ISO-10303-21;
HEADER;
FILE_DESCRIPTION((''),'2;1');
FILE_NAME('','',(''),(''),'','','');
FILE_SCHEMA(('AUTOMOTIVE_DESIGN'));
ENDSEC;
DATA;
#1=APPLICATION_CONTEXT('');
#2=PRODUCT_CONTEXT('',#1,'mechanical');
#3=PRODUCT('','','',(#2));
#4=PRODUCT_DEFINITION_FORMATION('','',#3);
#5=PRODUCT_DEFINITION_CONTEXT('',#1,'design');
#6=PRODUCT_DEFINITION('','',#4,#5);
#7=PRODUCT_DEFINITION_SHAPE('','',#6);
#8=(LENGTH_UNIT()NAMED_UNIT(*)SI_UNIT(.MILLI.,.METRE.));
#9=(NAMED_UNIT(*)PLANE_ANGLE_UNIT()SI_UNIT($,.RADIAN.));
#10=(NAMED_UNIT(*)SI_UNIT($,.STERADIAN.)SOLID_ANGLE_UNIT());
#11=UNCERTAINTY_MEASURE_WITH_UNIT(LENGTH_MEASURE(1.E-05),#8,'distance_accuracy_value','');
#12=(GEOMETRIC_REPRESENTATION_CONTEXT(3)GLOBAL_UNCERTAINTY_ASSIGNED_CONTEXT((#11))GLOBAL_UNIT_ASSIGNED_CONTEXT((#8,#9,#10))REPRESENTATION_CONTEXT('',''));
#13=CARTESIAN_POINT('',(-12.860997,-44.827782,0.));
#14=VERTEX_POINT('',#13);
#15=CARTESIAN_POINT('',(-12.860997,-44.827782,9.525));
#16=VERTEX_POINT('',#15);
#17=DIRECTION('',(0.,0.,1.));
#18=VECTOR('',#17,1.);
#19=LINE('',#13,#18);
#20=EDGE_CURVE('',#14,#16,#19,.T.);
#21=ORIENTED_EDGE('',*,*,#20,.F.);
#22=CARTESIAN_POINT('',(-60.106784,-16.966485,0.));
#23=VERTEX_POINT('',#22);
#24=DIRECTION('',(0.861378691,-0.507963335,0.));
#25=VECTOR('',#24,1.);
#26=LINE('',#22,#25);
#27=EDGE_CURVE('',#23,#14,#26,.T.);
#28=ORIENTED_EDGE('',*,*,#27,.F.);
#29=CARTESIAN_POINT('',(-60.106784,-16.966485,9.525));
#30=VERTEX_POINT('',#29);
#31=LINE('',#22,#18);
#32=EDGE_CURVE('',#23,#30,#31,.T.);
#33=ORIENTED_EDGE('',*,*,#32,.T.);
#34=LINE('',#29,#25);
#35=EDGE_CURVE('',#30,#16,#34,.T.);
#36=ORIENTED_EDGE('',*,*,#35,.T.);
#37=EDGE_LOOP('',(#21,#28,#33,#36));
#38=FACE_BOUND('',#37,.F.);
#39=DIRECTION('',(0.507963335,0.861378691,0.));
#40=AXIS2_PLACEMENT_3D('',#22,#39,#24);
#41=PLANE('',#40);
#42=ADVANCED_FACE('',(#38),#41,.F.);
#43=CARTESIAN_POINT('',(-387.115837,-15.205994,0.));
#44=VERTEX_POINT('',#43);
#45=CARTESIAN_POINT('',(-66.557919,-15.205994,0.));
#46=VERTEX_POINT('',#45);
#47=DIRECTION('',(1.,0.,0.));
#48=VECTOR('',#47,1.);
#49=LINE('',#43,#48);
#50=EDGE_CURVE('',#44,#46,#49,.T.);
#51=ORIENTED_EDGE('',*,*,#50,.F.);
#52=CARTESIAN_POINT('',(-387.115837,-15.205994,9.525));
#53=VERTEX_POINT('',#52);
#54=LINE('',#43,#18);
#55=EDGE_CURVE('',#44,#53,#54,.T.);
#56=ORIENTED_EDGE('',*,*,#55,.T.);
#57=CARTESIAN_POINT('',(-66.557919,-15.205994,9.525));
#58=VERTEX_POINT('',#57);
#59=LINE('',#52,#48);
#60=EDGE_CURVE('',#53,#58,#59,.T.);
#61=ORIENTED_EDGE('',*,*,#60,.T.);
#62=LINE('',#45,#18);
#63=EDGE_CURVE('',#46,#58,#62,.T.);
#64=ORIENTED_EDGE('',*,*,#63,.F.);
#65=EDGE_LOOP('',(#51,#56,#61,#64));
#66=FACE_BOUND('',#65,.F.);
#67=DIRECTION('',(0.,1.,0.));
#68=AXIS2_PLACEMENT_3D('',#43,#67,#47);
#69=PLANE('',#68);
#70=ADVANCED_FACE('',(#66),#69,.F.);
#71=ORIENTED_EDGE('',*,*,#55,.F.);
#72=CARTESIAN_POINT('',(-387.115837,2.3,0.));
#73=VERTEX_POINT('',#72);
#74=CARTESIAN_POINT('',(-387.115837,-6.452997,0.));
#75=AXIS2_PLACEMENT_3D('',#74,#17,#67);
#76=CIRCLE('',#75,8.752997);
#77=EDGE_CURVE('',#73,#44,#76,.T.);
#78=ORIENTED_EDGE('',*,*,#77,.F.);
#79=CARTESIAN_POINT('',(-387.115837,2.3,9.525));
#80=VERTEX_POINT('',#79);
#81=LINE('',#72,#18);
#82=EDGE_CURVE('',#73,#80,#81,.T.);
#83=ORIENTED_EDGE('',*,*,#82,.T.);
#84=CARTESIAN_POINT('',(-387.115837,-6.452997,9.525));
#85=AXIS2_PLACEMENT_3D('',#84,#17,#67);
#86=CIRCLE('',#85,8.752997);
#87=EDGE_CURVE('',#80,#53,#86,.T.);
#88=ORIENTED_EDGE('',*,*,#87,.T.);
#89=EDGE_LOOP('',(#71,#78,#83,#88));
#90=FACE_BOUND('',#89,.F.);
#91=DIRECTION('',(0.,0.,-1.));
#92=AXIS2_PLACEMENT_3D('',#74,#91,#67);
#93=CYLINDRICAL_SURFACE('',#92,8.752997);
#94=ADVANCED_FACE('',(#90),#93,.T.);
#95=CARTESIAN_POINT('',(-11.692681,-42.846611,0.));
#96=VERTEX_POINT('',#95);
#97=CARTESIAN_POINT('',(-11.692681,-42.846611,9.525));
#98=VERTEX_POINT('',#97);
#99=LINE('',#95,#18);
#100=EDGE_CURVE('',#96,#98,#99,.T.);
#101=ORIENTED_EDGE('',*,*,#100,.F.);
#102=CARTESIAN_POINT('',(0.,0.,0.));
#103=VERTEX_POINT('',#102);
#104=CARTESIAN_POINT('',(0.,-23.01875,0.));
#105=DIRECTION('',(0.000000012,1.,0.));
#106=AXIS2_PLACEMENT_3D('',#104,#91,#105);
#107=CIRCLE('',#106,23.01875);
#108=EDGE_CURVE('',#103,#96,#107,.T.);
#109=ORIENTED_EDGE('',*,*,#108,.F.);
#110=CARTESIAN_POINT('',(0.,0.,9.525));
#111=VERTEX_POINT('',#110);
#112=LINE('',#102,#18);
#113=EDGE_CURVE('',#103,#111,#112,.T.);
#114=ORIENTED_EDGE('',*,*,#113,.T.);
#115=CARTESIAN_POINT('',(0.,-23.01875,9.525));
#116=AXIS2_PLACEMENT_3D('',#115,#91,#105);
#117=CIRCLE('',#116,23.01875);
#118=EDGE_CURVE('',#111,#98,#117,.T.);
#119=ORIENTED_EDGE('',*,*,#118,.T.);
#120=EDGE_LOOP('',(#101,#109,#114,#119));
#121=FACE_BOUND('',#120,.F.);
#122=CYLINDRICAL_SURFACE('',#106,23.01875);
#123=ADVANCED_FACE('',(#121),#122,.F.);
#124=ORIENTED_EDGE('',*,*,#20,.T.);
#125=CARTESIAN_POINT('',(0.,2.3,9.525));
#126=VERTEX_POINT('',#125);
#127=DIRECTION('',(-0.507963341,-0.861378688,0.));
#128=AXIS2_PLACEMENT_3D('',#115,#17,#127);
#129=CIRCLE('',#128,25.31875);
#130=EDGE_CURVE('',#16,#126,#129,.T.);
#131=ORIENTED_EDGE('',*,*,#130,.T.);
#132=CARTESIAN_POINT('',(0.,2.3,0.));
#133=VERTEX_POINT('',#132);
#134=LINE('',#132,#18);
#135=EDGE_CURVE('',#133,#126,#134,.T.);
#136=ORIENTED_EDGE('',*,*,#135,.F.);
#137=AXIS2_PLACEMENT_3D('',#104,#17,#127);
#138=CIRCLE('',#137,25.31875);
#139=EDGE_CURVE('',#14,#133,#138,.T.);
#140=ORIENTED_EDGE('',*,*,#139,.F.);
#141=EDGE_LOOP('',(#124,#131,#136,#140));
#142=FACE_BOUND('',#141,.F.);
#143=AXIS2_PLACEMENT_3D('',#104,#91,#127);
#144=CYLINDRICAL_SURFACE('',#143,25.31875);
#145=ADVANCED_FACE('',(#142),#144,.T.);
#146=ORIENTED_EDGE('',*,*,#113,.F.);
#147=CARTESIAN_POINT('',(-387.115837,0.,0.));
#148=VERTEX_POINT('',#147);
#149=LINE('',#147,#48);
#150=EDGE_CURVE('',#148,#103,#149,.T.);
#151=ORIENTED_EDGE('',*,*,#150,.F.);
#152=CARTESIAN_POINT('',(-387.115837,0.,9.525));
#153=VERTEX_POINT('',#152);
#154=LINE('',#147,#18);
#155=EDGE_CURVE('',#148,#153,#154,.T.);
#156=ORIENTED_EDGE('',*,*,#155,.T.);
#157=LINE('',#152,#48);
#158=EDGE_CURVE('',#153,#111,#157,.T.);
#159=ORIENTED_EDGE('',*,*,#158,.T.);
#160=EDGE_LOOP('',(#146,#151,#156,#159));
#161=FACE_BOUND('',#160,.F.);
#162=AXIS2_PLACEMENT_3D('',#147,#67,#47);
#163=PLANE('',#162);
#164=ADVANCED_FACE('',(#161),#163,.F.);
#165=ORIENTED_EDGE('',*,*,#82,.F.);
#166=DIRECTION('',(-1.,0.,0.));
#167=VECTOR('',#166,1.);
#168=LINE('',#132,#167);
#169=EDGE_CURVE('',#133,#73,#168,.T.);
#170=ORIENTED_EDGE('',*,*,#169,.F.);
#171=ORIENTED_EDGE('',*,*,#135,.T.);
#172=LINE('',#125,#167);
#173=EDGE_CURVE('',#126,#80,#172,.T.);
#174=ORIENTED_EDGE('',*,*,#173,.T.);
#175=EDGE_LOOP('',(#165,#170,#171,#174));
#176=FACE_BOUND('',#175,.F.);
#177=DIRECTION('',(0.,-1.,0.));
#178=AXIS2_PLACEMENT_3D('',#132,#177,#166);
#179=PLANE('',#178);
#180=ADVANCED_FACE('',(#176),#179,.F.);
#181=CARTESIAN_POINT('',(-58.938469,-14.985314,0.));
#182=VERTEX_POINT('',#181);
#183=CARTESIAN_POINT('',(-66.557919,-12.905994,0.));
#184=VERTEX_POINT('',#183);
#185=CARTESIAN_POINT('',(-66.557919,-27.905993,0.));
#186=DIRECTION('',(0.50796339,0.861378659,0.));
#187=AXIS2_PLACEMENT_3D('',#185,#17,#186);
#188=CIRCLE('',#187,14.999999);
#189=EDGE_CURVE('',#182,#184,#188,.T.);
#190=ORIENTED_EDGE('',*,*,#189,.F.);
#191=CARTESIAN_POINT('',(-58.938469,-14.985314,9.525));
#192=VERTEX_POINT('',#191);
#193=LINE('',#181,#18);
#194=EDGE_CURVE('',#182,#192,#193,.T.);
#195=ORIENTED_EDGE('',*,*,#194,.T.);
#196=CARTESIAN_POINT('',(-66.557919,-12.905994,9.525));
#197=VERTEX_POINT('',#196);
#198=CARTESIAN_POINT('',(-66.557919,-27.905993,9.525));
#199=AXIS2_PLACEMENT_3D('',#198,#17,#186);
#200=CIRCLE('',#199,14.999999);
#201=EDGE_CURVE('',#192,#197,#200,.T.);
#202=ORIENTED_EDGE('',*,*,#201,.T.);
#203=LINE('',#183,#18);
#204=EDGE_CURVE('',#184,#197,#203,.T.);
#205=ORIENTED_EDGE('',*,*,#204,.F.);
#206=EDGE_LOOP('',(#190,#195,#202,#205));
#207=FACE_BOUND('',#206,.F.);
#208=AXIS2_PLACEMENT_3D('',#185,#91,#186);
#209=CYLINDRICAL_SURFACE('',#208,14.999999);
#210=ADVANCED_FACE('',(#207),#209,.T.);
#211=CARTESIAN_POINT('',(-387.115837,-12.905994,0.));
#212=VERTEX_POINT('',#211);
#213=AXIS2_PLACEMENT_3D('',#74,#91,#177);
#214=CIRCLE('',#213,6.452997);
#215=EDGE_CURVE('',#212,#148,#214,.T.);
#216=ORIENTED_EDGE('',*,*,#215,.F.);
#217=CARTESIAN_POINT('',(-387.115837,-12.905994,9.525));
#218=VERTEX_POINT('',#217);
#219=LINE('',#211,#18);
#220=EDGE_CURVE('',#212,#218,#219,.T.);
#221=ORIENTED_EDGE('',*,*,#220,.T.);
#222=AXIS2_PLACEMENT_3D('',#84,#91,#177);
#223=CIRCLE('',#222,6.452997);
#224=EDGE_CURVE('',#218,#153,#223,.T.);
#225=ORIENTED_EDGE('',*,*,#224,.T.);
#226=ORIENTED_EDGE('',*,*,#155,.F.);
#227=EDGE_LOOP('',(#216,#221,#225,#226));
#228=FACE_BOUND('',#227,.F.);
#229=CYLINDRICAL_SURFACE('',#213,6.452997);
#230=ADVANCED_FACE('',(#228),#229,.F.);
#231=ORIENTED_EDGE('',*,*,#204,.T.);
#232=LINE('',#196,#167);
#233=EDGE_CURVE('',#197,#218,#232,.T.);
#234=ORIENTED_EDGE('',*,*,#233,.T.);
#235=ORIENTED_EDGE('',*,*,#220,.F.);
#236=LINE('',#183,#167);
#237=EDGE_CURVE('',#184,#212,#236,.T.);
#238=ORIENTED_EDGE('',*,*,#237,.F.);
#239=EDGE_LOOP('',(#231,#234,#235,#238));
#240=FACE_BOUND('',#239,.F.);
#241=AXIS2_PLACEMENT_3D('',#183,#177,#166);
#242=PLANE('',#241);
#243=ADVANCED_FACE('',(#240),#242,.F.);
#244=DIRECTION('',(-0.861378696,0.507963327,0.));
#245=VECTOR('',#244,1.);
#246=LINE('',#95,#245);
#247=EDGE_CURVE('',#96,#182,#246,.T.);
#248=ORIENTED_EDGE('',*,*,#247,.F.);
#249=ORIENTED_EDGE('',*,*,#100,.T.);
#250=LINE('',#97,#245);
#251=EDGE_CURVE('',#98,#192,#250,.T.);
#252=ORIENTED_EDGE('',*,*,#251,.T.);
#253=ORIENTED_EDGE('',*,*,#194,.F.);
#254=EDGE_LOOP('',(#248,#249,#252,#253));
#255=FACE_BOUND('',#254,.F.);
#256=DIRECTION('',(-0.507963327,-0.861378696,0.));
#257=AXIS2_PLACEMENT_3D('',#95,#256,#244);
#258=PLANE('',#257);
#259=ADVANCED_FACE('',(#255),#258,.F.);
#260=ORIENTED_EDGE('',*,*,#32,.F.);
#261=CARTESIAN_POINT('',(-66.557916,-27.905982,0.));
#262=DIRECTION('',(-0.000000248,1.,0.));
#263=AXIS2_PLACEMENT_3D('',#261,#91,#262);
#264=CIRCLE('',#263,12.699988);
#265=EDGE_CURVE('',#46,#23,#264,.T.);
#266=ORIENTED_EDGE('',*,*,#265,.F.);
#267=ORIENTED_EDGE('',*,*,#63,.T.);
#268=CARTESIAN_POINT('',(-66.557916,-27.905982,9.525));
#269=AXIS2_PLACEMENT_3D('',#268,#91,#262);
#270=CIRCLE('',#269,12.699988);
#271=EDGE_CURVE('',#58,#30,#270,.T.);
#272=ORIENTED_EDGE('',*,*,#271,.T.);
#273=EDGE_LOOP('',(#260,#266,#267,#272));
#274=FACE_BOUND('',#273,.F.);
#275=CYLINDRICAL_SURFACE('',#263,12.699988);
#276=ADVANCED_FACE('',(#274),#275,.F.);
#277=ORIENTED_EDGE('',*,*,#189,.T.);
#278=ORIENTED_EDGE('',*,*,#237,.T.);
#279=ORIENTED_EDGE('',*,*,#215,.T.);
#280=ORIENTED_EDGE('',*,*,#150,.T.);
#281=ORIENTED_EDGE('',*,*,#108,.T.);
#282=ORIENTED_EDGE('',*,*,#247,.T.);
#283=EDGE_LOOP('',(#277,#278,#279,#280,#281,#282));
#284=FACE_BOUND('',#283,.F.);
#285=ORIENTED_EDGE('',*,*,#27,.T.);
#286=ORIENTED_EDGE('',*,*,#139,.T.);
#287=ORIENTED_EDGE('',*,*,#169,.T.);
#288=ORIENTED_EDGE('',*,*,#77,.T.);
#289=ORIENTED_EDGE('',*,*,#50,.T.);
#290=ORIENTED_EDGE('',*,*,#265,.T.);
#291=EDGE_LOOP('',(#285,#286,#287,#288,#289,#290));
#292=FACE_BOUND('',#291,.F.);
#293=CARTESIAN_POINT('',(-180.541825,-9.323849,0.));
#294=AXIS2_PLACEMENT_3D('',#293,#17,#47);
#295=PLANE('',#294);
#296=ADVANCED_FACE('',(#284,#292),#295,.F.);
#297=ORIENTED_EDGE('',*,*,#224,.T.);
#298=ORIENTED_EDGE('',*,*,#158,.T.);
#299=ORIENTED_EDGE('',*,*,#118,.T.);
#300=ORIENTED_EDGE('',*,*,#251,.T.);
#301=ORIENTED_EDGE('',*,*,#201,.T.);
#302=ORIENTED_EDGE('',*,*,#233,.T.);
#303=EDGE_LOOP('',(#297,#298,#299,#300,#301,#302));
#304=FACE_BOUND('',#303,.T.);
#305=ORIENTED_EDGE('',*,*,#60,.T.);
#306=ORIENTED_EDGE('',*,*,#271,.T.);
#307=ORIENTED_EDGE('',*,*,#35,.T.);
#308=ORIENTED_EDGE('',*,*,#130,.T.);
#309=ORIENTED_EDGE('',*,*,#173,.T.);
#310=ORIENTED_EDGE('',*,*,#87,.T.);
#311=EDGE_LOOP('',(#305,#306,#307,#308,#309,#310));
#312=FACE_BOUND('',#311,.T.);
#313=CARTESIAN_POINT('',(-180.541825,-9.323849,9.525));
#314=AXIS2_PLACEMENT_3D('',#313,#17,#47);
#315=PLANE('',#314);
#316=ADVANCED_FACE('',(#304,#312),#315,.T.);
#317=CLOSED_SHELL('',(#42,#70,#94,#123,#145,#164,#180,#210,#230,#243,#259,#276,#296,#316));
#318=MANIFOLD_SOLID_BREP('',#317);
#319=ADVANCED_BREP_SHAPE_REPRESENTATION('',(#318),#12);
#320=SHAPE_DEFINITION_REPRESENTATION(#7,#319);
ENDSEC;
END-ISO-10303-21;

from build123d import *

# Parameters (mm, degrees)
F1_DEPTH = 9.525


with BuildPart() as f1:
    # F0 (on Top) → F1 (new body)
    with BuildSketch(Plane.XY):
        with BuildLine():
            Line((0, 2.3), (-387.115837, 2.3))
            ThreePointArc((-387.115837, 2.3), (-395.868834, -6.452997), (-387.115837, -15.205994))
            Line((-387.115837, -15.205994), (-66.557919, -15.205994))
            ThreePointArc((-66.557919, -15.205994), (-63.2144, -15.654019), (-60.106784, -16.966485))
            Line((-60.106784, -16.966485), (-12.860997, -44.827782))
            ThreePointArc((-12.860997, -44.827782), (24.425566, -29.684396), (0, 2.3))
        make_face()
        with BuildLine():
            ThreePointArc((0, 0), (22.206704, -29.078877), (-11.692681, -42.846611))
            Line((-11.692681, -42.846611), (-58.938469, -14.985314))
            ThreePointArc((-58.938469, -14.985314), (-62.608881, -13.435158), (-66.557919, -12.905994))
            Line((-66.557919, -12.905994), (-387.115837, -12.905994))
            ThreePointArc((-387.115837, -12.905994), (-393.568834, -6.452997), (-387.115837, 0))
            Line((-387.115837, 0), (0, 0))
        make_face(mode=Mode.SUBTRACT)
    extrude(amount=F1_DEPTH)


solid = f1.part
